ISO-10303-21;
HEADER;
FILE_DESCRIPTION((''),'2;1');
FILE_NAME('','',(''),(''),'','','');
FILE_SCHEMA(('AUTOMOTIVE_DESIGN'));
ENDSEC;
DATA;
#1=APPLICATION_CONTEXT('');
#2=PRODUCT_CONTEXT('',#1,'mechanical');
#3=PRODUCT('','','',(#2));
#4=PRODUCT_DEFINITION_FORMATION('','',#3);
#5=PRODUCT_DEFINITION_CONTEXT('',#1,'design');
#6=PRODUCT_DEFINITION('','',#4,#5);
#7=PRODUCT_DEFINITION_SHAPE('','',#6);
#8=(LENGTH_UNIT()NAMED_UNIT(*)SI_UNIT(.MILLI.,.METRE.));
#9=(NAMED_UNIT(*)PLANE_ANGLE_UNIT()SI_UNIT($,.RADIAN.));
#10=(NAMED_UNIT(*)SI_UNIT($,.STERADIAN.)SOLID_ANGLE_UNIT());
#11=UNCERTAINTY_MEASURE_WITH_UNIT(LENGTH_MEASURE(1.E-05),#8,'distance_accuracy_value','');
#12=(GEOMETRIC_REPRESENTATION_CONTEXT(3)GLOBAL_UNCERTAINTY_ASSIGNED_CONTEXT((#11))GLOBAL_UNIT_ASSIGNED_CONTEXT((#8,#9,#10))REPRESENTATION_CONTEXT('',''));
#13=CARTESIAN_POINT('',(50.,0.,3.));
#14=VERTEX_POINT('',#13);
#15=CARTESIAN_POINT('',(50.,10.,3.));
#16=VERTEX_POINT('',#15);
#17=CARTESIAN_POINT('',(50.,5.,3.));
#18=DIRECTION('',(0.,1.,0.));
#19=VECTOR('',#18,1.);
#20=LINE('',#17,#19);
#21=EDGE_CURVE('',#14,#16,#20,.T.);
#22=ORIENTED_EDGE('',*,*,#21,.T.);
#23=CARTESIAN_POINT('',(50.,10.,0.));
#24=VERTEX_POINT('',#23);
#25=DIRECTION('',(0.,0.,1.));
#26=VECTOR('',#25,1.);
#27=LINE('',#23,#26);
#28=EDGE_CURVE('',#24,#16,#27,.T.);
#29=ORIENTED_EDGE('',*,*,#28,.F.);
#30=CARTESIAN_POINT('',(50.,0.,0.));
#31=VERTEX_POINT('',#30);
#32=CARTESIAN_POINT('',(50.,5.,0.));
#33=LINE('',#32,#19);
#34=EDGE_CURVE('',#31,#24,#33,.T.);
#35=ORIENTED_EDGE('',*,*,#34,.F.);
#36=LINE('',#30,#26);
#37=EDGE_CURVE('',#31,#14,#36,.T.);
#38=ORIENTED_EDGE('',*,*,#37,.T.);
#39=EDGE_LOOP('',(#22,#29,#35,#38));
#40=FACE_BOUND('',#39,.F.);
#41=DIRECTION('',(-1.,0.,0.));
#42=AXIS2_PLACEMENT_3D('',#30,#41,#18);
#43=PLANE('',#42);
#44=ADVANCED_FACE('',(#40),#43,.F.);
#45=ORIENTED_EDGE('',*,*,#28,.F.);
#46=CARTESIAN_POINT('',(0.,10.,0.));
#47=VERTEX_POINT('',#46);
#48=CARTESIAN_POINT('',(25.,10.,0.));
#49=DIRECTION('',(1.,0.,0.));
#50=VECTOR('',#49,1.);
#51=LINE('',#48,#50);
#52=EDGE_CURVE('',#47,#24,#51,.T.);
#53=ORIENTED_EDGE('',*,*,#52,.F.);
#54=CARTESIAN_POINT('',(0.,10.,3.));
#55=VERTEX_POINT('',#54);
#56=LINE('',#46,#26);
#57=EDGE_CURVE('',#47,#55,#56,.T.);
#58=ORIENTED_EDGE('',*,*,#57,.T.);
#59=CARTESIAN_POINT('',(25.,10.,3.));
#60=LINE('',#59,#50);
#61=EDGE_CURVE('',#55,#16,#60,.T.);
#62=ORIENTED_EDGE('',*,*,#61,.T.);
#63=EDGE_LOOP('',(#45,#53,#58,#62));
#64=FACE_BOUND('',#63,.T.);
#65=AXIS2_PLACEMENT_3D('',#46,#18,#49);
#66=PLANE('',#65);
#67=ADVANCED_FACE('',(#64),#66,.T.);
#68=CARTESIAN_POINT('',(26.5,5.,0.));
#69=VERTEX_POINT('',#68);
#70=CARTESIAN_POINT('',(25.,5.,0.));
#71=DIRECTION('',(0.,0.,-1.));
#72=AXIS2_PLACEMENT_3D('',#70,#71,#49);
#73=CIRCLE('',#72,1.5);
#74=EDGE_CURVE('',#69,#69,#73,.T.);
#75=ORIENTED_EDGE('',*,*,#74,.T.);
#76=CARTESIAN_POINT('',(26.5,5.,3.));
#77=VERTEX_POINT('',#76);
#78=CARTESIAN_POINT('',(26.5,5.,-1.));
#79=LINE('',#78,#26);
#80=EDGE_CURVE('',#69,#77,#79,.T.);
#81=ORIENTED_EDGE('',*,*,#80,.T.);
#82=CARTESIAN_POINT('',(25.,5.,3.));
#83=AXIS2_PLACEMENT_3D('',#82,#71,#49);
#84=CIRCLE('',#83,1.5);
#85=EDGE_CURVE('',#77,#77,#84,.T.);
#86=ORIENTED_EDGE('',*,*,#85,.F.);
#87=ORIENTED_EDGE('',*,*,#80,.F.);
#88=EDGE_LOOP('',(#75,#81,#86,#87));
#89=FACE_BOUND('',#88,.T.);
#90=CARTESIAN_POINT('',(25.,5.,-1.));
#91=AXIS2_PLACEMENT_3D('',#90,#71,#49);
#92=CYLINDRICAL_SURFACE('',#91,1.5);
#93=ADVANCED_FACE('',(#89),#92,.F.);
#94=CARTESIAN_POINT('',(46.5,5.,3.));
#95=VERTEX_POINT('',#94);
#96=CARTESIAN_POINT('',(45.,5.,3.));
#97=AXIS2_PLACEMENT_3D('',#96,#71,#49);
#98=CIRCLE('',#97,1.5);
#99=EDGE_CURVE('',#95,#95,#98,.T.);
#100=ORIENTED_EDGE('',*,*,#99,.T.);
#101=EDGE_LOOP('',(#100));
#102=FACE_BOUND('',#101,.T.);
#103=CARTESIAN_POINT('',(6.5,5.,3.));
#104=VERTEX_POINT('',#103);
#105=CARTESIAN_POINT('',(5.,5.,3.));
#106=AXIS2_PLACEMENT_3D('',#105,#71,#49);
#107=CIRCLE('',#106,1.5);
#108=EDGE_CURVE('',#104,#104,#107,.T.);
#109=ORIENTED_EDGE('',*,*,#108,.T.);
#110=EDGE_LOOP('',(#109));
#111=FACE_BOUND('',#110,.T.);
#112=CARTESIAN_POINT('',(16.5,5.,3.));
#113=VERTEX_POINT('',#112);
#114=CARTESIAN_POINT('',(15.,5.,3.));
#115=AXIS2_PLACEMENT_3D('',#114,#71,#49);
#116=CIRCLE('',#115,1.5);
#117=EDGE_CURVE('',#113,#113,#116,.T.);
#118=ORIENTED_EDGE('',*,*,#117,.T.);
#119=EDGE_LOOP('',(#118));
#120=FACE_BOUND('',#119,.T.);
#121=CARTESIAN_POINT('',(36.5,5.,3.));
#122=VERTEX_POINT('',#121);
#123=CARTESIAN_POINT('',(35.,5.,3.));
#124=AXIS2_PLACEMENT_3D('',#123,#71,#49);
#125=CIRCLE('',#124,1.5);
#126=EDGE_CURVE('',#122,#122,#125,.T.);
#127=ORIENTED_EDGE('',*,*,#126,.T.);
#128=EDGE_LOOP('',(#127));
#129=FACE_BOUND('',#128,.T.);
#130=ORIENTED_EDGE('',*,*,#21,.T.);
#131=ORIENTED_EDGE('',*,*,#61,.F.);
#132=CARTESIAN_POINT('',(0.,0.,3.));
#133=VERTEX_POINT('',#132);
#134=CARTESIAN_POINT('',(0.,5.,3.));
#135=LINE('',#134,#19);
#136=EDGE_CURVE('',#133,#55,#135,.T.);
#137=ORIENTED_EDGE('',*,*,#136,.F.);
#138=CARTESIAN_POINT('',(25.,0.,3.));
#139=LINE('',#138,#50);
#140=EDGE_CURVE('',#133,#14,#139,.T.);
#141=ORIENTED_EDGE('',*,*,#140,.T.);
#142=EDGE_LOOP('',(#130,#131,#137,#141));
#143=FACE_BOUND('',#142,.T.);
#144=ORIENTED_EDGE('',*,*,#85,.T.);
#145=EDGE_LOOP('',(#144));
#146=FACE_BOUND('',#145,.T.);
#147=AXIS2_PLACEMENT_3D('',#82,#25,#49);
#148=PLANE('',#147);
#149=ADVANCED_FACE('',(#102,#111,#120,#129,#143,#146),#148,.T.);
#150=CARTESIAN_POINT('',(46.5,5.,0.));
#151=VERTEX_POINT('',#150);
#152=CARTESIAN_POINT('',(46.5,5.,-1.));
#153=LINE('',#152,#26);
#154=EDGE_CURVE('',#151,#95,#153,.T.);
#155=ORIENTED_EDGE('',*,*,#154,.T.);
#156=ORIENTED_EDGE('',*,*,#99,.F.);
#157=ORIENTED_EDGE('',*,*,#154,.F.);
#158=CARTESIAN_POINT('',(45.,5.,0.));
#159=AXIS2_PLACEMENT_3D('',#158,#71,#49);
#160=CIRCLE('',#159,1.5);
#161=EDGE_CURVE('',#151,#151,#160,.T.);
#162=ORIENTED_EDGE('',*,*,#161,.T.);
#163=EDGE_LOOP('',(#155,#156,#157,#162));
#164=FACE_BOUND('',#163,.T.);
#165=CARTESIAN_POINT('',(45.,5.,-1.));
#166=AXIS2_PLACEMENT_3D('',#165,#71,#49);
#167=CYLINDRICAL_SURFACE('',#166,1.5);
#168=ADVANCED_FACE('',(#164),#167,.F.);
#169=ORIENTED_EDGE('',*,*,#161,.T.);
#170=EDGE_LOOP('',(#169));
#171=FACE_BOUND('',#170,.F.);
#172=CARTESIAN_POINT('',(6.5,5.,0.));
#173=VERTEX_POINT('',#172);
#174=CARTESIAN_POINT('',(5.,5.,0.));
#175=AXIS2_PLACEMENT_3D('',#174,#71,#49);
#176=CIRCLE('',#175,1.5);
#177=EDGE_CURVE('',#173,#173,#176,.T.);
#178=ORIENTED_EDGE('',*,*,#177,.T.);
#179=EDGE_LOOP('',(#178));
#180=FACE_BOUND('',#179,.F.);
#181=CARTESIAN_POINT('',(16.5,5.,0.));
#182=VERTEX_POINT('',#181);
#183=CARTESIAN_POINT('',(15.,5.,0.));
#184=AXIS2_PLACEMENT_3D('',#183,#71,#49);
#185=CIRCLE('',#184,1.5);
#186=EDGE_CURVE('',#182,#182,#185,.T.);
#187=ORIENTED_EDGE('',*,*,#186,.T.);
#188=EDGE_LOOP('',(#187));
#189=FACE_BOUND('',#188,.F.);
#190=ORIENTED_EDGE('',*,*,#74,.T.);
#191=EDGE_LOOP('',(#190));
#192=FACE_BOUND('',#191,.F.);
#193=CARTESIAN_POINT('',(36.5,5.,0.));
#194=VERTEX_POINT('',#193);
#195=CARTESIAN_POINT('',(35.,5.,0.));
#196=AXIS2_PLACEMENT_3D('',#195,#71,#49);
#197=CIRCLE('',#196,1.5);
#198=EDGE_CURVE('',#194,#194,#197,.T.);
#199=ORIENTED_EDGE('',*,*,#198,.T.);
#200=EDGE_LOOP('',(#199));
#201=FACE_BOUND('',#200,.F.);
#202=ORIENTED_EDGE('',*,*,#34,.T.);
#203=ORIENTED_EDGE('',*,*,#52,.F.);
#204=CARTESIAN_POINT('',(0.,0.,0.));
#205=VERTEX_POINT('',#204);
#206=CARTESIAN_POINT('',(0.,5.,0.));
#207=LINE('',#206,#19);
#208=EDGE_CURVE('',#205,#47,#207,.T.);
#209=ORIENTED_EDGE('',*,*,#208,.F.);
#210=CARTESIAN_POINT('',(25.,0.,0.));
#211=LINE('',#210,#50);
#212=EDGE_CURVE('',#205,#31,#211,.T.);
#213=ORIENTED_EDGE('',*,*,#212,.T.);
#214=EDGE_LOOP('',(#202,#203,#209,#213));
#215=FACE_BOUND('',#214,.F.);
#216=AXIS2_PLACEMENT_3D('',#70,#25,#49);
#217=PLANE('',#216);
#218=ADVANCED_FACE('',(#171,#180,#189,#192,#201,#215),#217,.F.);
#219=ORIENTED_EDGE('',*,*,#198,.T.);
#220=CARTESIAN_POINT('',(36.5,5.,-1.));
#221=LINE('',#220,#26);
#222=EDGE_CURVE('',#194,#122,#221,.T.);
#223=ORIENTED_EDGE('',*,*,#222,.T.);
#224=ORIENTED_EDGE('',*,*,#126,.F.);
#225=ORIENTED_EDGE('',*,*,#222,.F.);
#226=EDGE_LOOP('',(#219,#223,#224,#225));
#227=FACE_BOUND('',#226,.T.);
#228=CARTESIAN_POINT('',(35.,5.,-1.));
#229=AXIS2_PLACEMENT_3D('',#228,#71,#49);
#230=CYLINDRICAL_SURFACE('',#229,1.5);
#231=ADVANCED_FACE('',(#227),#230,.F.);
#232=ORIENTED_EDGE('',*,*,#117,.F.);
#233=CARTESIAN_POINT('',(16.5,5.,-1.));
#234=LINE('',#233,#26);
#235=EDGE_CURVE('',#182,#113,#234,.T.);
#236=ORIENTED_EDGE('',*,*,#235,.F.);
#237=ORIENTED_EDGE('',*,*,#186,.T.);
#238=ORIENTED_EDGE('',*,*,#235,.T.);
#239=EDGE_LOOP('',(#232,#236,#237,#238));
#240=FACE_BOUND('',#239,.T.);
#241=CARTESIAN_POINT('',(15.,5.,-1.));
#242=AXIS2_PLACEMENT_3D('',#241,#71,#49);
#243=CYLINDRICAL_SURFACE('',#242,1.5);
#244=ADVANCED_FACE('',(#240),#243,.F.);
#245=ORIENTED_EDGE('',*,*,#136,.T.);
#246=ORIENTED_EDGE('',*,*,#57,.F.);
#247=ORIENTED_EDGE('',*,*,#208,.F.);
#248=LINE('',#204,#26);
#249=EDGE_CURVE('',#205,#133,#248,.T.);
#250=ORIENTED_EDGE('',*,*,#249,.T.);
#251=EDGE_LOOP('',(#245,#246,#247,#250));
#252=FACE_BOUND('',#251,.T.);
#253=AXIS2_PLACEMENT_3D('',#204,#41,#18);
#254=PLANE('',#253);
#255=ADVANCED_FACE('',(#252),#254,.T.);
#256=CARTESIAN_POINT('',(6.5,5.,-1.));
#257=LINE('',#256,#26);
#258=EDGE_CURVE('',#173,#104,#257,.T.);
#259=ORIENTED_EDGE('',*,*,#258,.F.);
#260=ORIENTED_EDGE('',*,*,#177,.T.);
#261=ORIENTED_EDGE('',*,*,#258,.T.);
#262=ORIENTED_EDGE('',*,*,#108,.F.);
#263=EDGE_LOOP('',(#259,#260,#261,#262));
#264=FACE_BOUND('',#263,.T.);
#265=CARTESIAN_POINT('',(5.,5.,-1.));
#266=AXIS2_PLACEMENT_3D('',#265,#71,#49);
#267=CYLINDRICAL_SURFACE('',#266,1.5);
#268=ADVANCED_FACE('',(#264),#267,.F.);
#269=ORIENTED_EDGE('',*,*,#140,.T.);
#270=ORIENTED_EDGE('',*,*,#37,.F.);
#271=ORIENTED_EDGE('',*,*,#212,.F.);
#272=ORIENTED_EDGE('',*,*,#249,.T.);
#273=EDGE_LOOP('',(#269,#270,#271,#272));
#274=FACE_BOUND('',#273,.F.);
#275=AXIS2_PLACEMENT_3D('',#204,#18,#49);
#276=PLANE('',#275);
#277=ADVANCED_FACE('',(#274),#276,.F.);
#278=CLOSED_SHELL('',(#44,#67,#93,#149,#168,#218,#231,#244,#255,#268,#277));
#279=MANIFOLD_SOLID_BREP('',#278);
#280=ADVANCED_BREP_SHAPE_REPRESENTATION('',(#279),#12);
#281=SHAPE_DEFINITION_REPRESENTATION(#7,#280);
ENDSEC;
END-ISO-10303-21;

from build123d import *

# Parameters (mm, degrees)
CYLINDER004_R     = 1.5
CYLINDER004_DEPTH = 10
CYLINDER003_R     = 1.5
CYLINDER003_DEPTH = 10
CYLINDER002_R     = 1.5
CYLINDER002_DEPTH = 10
CYLINDER001_R     = 1.5
CYLINDER001_DEPTH = 10
CYLINDER_R        = 1.5
CYLINDER_DEPTH    = 10
BOX_W             = 50
BOX_H             = 10
BOX_DEPTH         = 3


with BuildPart() as cilindro004:
    # Cylinder004 → Cylinder004 (new body)
    with BuildSketch(Plane(origin=(45, 5, -1), x_dir=(1, 0, 0), z_dir=(0, 0, 1))):
        Circle(CYLINDER004_R)
    extrude(amount=CYLINDER004_DEPTH)


with BuildPart() as cilindro003:
    # Cylinder003 → Cylinder003 (new body)
    with BuildSketch(Plane(origin=(35, 5, -1), x_dir=(1, 0, 0), z_dir=(0, 0, 1))):
        Circle(CYLINDER003_R)
    extrude(amount=CYLINDER003_DEPTH)


with BuildPart() as cilindro002:
    # Cylinder002 → Cylinder002 (new body)
    with BuildSketch(Plane(origin=(25, 5, -1), x_dir=(1, 0, 0), z_dir=(0, 0, 1))):
        Circle(CYLINDER002_R)
    extrude(amount=CYLINDER002_DEPTH)


with BuildPart() as cilindro001:
    # Cylinder001 → Cylinder001 (new body)
    with BuildSketch(Plane(origin=(15, 5, -1), x_dir=(1, 0, 0), z_dir=(0, 0, 1))):
        Circle(CYLINDER001_R)
    extrude(amount=CYLINDER001_DEPTH)


with BuildPart() as cilindro:
    # Cylinder → Cylinder (new body)
    with BuildSketch(Plane(origin=(5, 5, -1), x_dir=(1, 0, 0), z_dir=(0, 0, 1))):
        Circle(CYLINDER_R)
    extrude(amount=CYLINDER_DEPTH)


with BuildPart() as cut004:
    # Box → Box (new body)
    with BuildSketch(Plane.XY):
        with Locations((25, 5)):
            Rectangle(BOX_W, BOX_H)
    extrude(amount=BOX_DEPTH)

    # Cut: cut Cilindro
    add(cilindro.part, mode=Mode.SUBTRACT)

    # Cut001: cut Cilindro001
    add(cilindro001.part, mode=Mode.SUBTRACT)

    # Cut002: cut Cilindro002
    add(cilindro002.part, mode=Mode.SUBTRACT)

    # Cut003: cut Cilindro003
    add(cilindro003.part, mode=Mode.SUBTRACT)

    # Cut004: cut Cilindro004
    add(cilindro004.part, mode=Mode.SUBTRACT)


solid = cut004.part
